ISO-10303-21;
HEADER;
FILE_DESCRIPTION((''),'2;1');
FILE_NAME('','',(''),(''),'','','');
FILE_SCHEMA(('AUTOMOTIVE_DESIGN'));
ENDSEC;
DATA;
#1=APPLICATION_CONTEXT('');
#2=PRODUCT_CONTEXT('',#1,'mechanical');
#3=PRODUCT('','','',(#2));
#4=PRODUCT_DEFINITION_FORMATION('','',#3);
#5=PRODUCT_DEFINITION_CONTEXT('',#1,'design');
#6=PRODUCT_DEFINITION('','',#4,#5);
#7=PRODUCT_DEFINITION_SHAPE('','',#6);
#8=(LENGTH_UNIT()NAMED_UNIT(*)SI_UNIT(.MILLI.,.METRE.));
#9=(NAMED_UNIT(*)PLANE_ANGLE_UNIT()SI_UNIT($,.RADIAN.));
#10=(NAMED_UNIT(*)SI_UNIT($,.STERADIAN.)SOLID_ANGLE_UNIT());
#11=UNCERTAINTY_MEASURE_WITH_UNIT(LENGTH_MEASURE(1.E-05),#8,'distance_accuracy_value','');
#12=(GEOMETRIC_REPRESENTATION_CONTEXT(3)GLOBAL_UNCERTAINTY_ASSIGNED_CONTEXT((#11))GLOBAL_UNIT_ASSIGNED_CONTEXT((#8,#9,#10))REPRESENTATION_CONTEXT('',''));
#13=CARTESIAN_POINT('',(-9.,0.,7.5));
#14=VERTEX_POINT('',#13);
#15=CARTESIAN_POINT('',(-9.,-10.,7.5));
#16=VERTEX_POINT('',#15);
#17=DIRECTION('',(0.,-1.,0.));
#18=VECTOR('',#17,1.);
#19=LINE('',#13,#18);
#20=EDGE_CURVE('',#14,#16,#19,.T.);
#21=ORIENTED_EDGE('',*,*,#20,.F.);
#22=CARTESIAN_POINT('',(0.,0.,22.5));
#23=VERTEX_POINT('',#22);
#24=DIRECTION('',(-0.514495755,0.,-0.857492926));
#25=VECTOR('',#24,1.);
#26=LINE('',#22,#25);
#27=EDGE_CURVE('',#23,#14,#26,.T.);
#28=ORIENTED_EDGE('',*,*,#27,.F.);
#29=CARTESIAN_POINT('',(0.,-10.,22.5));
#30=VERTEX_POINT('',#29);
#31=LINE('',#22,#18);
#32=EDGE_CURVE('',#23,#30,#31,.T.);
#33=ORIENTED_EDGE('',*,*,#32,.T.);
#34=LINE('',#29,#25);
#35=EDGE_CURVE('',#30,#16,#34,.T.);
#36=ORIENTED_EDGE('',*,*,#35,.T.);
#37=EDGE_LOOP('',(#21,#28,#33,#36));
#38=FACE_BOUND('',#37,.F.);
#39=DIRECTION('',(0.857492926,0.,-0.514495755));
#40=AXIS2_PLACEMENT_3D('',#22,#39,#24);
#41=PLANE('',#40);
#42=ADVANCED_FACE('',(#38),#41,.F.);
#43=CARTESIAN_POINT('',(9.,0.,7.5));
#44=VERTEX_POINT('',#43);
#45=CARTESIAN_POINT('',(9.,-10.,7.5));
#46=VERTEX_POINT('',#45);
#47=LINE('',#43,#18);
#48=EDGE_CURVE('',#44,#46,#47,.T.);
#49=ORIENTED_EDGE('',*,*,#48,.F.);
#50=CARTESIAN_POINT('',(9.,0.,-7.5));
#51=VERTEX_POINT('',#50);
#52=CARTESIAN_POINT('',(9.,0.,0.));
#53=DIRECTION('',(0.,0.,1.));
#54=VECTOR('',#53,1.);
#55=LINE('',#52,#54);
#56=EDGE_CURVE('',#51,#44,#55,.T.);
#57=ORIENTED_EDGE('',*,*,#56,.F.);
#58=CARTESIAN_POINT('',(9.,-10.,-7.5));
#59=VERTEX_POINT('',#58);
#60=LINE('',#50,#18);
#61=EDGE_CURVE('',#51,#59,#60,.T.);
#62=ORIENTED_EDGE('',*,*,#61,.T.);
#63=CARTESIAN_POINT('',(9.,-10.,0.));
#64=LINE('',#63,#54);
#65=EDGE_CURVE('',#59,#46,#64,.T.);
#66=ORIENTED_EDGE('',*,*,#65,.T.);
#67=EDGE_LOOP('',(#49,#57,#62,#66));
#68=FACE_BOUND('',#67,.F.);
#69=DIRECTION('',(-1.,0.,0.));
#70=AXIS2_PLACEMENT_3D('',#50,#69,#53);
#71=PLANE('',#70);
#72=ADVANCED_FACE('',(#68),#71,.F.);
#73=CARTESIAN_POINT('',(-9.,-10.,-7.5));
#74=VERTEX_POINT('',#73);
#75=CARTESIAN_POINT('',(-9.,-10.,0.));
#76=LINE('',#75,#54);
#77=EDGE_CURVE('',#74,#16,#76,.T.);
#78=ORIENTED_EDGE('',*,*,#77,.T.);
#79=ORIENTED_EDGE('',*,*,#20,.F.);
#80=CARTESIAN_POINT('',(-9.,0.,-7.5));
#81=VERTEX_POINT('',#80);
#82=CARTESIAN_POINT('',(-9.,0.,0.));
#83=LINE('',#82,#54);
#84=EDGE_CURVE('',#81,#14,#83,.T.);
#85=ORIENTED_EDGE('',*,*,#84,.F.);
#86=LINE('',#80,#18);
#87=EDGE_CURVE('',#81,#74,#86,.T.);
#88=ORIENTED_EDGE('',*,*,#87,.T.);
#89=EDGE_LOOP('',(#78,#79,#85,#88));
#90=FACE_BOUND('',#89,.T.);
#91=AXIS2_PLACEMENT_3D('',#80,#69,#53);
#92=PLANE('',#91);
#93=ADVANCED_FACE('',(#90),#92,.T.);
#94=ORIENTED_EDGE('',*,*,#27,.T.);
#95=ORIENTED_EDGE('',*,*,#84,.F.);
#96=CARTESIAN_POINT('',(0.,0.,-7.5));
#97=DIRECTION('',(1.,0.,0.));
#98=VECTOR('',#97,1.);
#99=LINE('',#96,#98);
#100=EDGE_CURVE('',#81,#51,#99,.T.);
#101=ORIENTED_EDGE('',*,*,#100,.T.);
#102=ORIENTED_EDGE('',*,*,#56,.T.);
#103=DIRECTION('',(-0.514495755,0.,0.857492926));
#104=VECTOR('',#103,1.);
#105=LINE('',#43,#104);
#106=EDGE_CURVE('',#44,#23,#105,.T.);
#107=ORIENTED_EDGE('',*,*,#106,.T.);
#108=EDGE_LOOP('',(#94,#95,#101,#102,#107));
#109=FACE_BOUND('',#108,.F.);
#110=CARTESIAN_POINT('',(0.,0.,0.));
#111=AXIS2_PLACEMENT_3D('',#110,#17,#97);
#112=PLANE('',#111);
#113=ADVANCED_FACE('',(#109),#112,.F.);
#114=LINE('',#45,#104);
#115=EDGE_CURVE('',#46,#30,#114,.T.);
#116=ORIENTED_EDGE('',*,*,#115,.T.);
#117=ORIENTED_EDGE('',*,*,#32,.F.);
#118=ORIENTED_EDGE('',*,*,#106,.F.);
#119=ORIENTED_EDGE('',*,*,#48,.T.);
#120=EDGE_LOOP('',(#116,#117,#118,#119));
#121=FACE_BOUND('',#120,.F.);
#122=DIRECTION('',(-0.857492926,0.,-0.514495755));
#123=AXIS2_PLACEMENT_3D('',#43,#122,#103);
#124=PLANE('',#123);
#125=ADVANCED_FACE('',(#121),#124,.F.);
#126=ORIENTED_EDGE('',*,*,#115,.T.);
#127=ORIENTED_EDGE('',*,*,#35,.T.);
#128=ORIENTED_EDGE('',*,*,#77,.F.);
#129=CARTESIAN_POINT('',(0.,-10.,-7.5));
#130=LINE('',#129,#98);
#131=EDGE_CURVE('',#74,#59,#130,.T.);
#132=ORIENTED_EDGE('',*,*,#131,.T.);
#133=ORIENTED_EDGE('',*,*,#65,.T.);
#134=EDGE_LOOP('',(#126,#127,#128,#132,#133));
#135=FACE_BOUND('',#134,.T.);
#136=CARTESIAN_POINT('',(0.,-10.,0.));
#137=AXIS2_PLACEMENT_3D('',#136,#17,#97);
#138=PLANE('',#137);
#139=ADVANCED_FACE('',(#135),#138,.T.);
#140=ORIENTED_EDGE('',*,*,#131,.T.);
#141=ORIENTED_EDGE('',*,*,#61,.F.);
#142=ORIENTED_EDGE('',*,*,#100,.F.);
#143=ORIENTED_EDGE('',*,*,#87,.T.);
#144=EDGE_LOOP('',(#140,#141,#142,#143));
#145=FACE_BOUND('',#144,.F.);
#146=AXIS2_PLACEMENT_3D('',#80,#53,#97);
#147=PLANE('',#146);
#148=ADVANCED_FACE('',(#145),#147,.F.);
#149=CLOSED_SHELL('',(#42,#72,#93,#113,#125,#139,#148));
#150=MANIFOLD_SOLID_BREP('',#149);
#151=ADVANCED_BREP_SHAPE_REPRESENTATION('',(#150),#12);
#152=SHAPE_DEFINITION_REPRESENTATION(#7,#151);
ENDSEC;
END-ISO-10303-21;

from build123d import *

# Parameters (mm, degrees)
F0_W     = 18
F0_H     = 15
F1_DEPTH = 10


with BuildPart() as f1:
    # F0 (on Front) → F1 (new body)
    with BuildSketch(Plane.XZ):
        Rectangle(F0_W, F0_H)
        Polygon((-9, 7.5), (9, 7.5), (0, 22.5), align=None)
    extrude(amount=F1_DEPTH)


solid = f1.part
